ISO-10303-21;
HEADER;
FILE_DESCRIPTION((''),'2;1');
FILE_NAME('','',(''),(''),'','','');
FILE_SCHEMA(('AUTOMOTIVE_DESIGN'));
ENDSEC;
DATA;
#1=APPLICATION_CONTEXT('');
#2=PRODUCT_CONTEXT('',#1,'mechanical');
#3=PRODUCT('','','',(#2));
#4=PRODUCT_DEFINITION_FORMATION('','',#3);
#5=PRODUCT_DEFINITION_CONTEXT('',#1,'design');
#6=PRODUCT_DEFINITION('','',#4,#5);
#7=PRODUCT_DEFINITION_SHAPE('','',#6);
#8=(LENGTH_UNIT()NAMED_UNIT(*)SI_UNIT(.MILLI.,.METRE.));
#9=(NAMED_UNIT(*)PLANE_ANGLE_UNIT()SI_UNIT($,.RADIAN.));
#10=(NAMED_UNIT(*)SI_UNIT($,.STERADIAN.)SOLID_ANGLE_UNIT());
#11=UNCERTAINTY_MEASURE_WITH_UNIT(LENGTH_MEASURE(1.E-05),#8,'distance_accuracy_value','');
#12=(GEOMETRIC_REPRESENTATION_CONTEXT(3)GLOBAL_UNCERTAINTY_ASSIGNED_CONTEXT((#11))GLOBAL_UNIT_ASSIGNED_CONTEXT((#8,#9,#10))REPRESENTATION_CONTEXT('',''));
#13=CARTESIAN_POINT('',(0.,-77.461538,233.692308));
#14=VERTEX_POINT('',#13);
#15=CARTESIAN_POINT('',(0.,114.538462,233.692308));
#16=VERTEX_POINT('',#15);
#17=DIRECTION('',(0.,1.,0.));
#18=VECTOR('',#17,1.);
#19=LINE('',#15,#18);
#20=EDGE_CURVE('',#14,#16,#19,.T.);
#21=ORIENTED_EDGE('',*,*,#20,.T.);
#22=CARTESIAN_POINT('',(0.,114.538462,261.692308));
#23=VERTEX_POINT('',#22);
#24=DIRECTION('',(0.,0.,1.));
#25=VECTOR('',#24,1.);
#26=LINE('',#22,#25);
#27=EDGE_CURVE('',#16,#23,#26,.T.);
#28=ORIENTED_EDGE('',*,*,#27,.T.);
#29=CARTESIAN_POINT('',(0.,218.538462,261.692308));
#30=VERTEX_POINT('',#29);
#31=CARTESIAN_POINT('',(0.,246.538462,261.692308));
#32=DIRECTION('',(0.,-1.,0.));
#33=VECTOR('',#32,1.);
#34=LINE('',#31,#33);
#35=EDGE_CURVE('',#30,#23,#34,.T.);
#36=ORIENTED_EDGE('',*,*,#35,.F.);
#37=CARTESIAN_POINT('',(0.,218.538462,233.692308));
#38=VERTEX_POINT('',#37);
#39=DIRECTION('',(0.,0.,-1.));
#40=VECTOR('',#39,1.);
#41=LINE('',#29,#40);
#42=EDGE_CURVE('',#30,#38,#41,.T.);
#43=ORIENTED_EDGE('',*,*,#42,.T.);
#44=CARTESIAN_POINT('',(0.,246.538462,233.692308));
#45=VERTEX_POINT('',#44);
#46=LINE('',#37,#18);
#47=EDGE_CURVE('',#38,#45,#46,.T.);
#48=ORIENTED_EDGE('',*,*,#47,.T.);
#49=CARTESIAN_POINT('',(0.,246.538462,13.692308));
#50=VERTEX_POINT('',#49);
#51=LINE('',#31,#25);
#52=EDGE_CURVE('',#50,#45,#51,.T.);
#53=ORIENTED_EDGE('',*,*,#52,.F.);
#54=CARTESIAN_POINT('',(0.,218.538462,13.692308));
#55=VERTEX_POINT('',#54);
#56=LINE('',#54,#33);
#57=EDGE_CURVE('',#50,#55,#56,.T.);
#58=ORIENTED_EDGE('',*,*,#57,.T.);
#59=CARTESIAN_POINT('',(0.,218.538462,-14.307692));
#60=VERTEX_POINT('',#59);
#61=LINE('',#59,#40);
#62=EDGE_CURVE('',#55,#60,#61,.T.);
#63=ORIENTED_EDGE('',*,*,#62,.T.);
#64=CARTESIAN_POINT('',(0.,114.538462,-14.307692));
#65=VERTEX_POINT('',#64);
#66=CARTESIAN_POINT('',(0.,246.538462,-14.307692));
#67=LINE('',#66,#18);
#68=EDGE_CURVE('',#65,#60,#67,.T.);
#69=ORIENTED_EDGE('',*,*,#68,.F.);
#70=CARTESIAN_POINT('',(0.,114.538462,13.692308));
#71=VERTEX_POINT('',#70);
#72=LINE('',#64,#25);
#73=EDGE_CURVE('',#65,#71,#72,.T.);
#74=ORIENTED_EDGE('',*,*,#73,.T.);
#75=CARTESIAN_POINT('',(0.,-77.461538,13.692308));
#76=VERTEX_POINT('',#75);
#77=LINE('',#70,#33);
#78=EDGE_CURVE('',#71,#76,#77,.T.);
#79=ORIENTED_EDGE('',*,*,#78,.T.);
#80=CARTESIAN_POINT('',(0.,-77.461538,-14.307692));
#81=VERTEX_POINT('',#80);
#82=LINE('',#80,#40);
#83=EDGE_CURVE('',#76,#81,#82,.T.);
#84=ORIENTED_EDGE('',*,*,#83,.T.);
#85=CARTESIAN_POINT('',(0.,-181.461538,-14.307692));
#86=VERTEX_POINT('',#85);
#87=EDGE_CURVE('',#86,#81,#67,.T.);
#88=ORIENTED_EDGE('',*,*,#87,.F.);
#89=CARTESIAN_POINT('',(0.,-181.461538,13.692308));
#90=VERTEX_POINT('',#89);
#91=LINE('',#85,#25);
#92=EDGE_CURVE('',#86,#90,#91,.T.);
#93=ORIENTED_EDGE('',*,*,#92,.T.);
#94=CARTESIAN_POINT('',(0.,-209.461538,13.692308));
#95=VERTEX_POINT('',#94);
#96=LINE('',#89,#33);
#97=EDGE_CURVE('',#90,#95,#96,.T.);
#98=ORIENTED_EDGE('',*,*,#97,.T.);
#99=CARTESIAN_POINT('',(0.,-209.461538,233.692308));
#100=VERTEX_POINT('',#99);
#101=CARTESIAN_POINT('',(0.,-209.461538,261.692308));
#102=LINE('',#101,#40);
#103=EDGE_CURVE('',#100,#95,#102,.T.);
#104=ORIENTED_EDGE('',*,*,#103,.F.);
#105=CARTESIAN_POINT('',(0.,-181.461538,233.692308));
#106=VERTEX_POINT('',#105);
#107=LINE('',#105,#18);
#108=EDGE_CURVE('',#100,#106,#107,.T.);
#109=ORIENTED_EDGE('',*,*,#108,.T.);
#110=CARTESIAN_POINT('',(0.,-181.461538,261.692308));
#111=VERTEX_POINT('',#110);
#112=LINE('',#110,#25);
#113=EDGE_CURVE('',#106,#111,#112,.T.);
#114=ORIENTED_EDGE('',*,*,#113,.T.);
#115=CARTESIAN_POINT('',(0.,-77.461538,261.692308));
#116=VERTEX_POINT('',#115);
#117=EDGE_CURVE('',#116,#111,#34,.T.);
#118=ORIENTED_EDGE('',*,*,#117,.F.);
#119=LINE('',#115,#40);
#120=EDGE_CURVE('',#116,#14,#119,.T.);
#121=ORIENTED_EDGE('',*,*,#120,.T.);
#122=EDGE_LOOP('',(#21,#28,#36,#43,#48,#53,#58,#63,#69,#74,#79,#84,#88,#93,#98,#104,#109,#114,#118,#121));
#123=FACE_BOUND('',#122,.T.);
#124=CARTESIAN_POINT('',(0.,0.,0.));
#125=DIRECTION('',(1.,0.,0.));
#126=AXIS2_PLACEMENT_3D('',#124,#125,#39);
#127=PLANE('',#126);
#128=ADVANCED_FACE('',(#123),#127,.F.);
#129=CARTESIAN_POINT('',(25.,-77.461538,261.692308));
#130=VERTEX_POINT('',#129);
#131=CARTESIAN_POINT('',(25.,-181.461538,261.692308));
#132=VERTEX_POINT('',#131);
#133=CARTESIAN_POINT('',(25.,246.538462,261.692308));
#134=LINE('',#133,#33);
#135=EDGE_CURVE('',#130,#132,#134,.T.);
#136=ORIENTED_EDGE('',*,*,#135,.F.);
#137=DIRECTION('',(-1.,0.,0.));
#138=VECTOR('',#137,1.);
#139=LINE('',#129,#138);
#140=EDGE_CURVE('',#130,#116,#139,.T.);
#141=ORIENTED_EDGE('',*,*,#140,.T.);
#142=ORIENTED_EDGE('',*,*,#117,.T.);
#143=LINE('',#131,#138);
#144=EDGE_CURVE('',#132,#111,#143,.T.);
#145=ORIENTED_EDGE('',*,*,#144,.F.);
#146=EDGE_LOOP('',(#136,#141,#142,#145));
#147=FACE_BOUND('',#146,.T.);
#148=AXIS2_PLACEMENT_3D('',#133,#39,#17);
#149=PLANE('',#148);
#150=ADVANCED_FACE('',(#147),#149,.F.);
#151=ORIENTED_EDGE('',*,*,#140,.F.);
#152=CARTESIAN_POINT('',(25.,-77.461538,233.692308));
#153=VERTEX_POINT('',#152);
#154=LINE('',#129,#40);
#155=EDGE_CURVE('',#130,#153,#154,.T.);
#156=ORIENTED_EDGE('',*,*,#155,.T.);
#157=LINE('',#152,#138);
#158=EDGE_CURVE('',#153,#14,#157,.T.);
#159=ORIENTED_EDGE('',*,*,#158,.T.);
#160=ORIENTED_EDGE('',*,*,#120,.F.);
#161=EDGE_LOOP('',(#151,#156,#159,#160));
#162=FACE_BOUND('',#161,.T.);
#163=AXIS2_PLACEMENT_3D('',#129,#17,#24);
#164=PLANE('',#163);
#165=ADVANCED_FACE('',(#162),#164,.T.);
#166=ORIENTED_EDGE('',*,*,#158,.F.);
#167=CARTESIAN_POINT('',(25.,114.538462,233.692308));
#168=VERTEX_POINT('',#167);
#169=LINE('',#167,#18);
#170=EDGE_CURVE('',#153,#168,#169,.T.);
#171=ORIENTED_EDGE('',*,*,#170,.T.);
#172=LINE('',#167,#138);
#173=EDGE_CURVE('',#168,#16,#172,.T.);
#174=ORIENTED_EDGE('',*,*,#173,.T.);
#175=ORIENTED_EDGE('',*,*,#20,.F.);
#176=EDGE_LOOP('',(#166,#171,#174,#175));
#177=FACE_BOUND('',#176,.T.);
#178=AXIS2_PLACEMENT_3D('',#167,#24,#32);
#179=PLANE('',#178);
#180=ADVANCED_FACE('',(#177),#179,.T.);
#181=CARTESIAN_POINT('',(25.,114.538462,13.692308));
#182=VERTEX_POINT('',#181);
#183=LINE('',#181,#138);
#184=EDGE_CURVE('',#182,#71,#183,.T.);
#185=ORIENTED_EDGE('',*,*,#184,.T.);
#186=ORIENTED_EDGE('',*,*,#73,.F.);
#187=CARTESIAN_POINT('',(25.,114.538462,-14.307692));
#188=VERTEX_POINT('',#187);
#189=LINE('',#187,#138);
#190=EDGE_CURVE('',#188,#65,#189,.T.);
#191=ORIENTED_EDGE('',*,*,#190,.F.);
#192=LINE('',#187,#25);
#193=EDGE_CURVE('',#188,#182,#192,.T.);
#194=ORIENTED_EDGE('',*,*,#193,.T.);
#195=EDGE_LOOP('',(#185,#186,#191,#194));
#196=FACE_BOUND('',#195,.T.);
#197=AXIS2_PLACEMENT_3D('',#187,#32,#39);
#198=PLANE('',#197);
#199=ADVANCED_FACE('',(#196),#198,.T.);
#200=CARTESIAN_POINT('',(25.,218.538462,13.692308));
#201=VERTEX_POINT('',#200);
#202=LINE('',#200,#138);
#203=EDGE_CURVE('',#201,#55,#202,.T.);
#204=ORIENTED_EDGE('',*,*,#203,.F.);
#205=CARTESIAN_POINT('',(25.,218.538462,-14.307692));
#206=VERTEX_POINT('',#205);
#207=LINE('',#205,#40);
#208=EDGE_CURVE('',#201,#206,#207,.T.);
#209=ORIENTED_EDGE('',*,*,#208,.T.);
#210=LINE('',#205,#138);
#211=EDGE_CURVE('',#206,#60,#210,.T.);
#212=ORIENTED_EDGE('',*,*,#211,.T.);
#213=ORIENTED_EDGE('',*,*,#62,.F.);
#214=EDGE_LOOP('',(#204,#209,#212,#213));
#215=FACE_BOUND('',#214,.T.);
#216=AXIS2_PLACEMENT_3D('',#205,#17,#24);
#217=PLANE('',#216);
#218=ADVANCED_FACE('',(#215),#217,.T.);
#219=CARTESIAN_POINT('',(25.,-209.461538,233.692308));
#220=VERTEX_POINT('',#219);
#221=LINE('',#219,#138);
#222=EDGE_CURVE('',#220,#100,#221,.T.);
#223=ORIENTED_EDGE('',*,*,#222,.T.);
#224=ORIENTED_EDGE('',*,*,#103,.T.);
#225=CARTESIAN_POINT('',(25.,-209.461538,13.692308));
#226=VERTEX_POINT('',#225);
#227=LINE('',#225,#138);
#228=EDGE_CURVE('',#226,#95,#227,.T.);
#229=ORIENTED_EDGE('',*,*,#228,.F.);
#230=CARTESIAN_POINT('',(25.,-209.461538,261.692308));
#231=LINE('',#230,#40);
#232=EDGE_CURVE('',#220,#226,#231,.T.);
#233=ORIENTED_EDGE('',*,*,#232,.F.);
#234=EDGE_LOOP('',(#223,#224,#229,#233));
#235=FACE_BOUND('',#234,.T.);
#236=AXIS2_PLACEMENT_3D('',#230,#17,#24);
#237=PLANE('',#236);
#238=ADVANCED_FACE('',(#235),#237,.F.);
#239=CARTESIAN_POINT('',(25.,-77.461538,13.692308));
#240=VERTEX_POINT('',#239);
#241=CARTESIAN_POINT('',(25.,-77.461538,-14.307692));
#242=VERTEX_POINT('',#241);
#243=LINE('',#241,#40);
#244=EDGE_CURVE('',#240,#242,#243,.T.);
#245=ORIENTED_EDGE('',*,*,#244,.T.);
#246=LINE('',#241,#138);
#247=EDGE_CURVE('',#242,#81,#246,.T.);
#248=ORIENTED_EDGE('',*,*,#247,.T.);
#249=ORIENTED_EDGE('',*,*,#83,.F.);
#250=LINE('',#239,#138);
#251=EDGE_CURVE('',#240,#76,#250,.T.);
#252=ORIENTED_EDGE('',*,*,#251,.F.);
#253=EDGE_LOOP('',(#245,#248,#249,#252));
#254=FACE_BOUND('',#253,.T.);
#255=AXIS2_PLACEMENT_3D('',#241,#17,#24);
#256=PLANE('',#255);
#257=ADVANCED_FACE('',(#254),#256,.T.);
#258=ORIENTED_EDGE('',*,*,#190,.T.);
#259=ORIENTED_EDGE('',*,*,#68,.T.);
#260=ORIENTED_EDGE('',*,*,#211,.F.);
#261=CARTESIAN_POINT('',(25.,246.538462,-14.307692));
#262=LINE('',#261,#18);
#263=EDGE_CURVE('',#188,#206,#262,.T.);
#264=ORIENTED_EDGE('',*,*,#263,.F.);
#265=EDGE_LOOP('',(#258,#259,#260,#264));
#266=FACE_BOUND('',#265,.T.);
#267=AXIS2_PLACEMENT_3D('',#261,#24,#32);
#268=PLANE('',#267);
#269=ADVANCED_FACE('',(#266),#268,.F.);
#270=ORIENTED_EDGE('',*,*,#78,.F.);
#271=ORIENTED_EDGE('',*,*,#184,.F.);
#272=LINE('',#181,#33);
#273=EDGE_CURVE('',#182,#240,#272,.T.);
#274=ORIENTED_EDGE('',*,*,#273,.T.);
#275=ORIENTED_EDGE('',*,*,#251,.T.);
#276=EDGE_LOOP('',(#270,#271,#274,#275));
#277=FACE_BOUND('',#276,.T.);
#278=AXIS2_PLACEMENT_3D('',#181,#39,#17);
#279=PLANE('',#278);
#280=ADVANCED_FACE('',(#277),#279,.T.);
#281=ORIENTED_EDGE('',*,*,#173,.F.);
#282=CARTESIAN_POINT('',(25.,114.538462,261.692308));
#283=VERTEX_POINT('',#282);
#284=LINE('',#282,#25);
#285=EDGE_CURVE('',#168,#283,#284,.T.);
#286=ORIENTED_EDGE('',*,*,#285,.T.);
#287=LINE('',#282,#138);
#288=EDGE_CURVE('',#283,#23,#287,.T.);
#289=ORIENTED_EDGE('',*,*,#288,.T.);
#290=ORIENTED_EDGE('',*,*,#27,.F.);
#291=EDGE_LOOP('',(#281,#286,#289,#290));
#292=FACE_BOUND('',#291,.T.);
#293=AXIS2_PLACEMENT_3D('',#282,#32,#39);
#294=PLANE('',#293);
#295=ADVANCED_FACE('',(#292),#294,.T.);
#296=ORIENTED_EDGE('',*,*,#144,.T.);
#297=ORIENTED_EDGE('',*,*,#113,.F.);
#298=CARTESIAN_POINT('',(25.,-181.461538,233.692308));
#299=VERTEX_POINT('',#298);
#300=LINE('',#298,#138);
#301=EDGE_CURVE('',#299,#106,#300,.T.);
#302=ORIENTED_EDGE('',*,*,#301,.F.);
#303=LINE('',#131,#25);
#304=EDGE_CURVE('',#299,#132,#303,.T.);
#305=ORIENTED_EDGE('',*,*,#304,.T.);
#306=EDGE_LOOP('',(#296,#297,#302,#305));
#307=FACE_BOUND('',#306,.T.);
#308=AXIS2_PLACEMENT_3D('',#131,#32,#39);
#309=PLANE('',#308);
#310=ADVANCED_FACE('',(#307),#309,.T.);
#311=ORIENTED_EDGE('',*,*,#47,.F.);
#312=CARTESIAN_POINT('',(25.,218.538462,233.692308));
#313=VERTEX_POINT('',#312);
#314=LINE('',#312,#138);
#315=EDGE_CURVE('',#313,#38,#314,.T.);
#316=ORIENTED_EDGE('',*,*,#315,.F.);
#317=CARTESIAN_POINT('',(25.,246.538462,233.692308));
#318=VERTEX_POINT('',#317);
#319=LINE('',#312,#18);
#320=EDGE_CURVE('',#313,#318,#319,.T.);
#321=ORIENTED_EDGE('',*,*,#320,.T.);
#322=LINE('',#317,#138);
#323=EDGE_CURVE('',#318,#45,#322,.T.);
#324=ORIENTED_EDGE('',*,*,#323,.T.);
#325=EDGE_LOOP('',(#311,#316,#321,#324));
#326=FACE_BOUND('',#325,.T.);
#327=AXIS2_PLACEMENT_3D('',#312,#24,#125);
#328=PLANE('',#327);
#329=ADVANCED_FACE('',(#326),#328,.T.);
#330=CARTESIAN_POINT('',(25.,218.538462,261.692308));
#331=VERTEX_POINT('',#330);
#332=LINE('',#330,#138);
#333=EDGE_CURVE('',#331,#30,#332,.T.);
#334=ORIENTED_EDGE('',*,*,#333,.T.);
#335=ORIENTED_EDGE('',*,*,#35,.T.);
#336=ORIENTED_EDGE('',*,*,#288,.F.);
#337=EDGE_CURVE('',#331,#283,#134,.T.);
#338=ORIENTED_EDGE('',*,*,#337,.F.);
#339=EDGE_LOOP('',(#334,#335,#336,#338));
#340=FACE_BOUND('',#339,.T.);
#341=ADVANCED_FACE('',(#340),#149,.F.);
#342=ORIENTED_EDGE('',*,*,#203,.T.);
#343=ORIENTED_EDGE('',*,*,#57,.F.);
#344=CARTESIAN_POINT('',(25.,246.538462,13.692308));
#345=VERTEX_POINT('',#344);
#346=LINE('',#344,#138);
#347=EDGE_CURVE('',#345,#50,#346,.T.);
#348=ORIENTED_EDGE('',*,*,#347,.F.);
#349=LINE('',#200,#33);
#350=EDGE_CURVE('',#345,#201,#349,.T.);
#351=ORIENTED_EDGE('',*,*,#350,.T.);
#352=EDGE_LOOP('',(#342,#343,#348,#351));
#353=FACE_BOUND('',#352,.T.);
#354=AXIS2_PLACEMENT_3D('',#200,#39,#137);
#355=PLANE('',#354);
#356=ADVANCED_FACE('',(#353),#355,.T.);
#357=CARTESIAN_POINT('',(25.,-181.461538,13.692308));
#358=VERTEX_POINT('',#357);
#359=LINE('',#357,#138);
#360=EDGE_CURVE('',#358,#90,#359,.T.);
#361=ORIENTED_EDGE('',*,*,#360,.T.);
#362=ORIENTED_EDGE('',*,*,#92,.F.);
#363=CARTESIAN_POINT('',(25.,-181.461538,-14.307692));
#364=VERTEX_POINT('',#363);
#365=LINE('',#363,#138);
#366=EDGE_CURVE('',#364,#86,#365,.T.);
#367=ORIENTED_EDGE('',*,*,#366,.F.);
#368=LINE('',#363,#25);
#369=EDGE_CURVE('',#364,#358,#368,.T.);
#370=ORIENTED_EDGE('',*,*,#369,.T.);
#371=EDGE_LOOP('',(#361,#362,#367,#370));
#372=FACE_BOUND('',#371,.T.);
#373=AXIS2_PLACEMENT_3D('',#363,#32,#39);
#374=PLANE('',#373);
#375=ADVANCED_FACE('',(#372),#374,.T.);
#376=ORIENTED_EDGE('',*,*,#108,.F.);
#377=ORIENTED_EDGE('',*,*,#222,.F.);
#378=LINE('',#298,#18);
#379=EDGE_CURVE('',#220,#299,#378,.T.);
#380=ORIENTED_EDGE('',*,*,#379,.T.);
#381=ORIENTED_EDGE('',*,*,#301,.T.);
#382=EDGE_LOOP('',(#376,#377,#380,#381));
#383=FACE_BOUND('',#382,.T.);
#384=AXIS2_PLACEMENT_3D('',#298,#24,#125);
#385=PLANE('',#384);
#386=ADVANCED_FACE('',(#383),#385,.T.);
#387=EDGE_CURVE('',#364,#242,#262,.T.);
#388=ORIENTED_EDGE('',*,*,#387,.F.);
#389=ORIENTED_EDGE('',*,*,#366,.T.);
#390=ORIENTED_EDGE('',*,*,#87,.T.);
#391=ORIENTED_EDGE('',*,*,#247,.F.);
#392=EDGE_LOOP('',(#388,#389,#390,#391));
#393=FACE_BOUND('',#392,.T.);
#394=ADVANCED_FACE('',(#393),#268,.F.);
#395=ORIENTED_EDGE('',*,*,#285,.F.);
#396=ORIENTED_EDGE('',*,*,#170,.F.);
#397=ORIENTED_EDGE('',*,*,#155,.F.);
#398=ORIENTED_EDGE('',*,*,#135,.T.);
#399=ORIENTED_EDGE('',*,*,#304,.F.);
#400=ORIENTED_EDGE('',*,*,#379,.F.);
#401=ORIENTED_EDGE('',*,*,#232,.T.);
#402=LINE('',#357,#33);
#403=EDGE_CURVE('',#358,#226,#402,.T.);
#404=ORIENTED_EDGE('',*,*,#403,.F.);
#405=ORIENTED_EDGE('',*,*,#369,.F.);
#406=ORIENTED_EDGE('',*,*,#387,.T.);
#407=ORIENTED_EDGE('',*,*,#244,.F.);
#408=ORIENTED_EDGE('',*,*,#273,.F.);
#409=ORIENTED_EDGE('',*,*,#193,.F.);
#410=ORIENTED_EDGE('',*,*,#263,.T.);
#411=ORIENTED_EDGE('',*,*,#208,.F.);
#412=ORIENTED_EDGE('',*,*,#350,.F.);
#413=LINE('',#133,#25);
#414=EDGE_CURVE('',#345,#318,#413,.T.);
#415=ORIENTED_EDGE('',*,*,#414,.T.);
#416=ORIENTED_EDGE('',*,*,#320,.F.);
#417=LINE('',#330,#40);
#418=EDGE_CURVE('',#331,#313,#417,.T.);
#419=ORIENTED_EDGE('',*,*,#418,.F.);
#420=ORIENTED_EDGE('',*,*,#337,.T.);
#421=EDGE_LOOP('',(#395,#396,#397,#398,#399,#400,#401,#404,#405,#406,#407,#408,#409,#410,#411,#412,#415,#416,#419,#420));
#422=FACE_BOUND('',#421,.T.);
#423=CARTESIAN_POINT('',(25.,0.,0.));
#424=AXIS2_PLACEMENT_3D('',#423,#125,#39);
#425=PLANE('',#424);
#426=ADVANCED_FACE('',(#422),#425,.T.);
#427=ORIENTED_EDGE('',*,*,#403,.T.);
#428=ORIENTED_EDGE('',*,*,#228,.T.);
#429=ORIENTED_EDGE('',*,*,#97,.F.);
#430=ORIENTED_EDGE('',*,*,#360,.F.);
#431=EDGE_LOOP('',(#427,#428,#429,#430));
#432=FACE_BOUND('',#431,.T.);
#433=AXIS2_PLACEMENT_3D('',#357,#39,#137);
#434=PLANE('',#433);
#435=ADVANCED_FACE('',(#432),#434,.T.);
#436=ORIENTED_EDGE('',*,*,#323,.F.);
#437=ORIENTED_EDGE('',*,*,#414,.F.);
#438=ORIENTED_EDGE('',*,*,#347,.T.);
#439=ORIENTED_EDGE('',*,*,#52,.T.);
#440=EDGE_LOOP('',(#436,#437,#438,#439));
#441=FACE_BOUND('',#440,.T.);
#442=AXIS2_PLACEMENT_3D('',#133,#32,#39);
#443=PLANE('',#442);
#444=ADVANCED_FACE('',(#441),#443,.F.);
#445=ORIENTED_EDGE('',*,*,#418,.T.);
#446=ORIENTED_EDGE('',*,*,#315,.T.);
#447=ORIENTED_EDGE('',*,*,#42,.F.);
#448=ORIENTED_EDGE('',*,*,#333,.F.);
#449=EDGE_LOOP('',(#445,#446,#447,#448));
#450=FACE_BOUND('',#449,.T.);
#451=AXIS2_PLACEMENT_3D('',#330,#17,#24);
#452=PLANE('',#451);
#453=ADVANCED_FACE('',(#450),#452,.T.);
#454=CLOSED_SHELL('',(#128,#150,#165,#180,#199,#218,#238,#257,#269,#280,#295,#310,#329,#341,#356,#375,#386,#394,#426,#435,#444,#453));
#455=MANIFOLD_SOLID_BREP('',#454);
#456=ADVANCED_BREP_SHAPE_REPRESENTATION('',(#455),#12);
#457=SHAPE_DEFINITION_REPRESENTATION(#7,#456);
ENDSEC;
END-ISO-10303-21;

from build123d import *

# Parameters (mm, degrees)
SKETCH1_W           = 276
SKETCH1_H           = 456
BOSS_EXTRUDE1_DEPTH = 25
SKETCH2_W           = 28
SKETCH2_H           = 28
SKETCH2_H_2         = 192
CUT_EXTRUDE1_DEPTH  = 25


with BuildPart() as part:
    # Sketch1 → Boss-Extrude1 (new body)
    with BuildSketch(Plane(origin=(0, 0, 0), x_dir=(0, 0, -1), z_dir=(1, 0, 0))):
        with Locations((-123.692307692, 18.538461538)):
            Rectangle(SKETCH1_W, SKETCH1_H)
    extrude(amount=BOSS_EXTRUDE1_DEPTH)

    # Sketch2 → Cut-Extrude1 (cut)
    with BuildSketch(Plane(origin=(0, 0, 0), x_dir=(0, 0, -1), z_dir=(1, 0, 0))):
        with Locations((0.307692308, -195.461538462)):
            Rectangle(SKETCH2_W, SKETCH2_H)
        with Locations((-247.692307692, -195.461538462)):
            Rectangle(SKETCH2_W, SKETCH2_H)
        with Locations((0.307692308, 232.538461538)):
            Rectangle(SKETCH2_W, SKETCH2_H)
        with Locations((-247.692307692, 232.538461538)):
            Rectangle(SKETCH2_W, SKETCH2_H)
        with Locations((0.307692308, 18.538461538)):
            Rectangle(SKETCH2_W, SKETCH2_H_2)
        with Locations((-247.692307692, 18.538461538)):
            Rectangle(SKETCH2_W, SKETCH2_H_2)
    extrude(amount=CUT_EXTRUDE1_DEPTH, mode=Mode.SUBTRACT)


solid = part.part
